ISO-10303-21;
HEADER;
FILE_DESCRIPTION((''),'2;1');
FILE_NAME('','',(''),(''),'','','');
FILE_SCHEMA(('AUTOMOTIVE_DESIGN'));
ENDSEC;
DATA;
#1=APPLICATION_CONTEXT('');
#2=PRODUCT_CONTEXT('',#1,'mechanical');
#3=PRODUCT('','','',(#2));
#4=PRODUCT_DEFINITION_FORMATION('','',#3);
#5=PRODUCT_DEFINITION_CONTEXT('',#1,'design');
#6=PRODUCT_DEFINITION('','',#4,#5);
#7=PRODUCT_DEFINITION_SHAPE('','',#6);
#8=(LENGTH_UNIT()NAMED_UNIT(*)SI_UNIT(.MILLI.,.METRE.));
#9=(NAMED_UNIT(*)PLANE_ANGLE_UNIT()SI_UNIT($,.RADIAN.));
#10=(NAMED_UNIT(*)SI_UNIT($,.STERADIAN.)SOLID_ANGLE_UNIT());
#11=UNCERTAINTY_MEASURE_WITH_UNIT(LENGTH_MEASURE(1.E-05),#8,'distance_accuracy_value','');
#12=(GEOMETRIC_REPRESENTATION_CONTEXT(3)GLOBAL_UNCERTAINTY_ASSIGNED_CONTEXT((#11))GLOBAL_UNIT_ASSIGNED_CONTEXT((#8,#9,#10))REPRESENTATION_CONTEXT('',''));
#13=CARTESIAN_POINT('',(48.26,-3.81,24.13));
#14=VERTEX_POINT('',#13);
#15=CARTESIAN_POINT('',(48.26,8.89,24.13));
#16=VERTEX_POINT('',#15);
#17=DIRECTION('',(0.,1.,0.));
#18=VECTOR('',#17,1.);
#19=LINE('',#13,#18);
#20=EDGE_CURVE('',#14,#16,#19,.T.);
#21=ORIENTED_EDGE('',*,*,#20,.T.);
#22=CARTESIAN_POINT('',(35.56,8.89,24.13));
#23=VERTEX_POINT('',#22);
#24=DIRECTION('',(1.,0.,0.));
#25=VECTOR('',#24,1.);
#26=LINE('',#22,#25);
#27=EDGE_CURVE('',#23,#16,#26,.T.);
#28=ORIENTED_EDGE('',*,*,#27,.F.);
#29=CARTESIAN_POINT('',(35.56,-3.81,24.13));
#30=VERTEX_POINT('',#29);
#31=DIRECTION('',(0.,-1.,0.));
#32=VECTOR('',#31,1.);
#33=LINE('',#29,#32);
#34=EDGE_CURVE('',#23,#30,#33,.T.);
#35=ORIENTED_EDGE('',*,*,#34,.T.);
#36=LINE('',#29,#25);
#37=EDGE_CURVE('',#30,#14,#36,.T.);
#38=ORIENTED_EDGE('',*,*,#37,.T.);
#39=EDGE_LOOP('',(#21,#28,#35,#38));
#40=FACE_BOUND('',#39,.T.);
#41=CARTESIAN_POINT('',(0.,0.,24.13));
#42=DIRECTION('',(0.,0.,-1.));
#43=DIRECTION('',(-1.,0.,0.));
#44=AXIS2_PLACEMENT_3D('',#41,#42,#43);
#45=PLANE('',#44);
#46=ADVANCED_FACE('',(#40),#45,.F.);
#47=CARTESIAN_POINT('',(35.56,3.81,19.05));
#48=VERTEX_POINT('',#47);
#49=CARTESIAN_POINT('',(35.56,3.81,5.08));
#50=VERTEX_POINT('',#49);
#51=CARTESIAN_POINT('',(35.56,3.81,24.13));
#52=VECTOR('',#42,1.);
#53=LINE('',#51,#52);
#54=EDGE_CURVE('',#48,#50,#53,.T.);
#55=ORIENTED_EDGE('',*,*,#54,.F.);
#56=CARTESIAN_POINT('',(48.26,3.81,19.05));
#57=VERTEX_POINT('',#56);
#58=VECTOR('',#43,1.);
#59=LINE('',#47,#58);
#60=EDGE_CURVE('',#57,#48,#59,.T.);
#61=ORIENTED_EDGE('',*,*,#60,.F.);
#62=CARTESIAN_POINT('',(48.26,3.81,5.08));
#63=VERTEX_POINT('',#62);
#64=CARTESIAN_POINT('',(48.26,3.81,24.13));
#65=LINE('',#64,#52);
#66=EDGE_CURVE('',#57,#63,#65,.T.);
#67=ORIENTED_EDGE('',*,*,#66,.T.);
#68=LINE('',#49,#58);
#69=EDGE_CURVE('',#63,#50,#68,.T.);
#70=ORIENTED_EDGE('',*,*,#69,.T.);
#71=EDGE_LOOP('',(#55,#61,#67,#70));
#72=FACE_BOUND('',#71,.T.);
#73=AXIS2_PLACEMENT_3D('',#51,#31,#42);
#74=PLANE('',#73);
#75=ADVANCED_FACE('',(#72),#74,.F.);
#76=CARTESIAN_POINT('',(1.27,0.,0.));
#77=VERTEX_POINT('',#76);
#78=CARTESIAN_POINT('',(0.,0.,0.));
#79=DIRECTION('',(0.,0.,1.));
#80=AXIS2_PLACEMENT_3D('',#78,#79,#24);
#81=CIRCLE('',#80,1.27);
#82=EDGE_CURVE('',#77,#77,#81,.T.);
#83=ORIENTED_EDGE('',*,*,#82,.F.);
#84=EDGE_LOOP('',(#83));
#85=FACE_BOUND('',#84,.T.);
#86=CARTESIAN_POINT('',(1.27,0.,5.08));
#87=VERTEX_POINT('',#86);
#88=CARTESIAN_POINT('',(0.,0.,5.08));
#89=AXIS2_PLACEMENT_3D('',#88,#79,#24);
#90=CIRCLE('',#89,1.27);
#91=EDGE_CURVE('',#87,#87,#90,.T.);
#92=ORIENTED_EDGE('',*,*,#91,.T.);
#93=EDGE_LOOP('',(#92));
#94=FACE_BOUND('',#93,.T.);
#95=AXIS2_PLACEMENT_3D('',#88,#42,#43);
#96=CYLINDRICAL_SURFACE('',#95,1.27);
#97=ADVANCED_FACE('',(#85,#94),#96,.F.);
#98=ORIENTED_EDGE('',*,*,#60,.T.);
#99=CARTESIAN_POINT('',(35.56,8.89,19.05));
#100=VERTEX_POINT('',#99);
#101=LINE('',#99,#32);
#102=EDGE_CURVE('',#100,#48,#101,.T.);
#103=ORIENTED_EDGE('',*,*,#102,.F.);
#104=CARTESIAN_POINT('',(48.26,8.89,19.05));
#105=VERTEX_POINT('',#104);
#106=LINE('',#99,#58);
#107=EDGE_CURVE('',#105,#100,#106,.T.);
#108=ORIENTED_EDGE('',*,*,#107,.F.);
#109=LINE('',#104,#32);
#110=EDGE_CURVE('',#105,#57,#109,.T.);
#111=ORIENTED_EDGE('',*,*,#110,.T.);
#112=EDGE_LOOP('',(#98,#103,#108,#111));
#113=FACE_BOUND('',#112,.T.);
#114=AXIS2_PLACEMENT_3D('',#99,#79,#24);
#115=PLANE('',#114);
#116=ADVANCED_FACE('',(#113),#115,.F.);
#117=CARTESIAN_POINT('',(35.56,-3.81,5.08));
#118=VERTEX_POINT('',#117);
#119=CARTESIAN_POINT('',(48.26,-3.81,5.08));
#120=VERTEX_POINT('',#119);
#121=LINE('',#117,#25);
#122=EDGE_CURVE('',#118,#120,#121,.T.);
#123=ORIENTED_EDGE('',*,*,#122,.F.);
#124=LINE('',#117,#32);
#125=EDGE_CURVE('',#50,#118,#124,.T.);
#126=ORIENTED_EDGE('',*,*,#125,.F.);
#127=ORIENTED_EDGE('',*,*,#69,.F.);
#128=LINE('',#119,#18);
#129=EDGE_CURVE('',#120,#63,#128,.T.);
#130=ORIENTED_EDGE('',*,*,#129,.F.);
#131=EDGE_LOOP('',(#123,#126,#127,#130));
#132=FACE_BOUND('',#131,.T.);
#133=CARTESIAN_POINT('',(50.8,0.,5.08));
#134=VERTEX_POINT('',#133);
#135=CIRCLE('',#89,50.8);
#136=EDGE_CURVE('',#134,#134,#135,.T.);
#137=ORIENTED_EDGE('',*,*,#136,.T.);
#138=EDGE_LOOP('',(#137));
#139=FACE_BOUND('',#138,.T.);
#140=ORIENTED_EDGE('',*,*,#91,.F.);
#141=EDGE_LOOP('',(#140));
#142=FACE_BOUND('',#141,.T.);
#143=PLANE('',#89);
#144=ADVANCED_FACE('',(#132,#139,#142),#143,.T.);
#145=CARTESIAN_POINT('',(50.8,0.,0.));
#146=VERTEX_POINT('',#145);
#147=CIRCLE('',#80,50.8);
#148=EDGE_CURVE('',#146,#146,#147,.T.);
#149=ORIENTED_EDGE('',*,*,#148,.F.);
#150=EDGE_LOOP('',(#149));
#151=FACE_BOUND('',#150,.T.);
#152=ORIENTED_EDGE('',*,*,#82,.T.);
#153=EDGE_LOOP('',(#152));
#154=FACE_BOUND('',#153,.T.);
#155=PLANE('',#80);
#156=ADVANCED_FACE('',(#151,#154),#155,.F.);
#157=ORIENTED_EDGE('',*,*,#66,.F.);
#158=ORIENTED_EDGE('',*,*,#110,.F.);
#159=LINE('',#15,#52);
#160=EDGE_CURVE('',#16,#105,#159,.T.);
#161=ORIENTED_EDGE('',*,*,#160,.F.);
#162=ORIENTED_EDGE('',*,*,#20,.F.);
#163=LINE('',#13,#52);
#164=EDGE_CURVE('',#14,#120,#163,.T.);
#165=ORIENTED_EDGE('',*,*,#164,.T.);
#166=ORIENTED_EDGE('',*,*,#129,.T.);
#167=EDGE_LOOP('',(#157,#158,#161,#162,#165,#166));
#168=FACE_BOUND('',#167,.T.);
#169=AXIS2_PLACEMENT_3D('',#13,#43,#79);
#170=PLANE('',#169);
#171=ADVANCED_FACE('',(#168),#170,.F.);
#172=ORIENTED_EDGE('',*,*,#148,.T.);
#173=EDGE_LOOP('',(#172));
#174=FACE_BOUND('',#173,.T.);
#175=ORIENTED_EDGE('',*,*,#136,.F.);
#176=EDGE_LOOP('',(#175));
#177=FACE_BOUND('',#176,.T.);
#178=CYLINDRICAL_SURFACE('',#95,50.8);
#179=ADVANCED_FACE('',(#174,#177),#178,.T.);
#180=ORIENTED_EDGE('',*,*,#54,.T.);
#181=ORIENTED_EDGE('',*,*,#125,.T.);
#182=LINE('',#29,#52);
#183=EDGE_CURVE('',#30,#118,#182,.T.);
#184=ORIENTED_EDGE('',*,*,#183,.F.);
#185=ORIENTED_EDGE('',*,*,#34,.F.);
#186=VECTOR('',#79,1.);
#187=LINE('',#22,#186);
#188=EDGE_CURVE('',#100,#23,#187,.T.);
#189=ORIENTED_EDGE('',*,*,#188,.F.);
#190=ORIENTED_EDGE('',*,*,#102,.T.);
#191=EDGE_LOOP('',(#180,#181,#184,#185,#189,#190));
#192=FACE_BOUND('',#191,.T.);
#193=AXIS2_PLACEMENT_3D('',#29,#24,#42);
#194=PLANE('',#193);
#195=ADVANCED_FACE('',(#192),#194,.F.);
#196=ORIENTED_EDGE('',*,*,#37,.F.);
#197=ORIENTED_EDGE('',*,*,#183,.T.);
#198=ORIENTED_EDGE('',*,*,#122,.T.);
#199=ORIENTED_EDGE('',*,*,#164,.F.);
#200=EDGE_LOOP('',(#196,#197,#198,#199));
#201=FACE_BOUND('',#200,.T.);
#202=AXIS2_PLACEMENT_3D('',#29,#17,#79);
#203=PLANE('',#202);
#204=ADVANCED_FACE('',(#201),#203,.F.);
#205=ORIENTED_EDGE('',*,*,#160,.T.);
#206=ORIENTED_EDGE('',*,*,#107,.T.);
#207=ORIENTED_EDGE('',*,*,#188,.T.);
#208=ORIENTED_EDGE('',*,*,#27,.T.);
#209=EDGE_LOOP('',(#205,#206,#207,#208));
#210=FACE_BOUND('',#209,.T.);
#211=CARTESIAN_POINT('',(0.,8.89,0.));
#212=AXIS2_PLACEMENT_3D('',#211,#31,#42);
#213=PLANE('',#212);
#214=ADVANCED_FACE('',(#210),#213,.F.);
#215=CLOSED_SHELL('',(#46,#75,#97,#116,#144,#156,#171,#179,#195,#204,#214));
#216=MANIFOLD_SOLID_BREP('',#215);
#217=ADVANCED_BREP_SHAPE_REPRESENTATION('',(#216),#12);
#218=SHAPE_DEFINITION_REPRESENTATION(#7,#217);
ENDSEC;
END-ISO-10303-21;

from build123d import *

# Parameters (mm, degrees)
SKETCH1_R           = 50.8
SKETCH1_R_2         = 1.27
BOSS_EXTRUDE1_DEPTH = 5.08
SKETCH2_W           = 12.7
SKETCH2_H           = 7.62
BOSS_EXTRUDE2_DEPTH = 19.05
SKETCH3_W           = 12.7
SKETCH3_H           = 5.08
BOSS_EXTRUDE3_DEPTH = 5.08


with BuildPart() as part:
    # Sketch1 → Boss-Extrude1 (new body)
    with BuildSketch(Plane.XY):
        Circle(SKETCH1_R)
        Circle(SKETCH1_R_2, mode=Mode.SUBTRACT)
    extrude(amount=BOSS_EXTRUDE1_DEPTH)

    # Sketch2 → Boss-Extrude2 (add)
    with BuildSketch(Plane.XY.offset(5.08)):
        with Locations((41.91, 0)):
            Rectangle(SKETCH2_W, SKETCH2_H)
    extrude(amount=BOSS_EXTRUDE2_DEPTH)

    # Sketch3 → Boss-Extrude3 (add)
    with BuildSketch(Plane(origin=(0, 3.81, 0), x_dir=(1, 0, 0), z_dir=(0, 1, 0))):
        with Locations((41.91, -21.59)):
            Rectangle(SKETCH3_W, SKETCH3_H)
    extrude(amount=BOSS_EXTRUDE3_DEPTH)


solid = part.part
